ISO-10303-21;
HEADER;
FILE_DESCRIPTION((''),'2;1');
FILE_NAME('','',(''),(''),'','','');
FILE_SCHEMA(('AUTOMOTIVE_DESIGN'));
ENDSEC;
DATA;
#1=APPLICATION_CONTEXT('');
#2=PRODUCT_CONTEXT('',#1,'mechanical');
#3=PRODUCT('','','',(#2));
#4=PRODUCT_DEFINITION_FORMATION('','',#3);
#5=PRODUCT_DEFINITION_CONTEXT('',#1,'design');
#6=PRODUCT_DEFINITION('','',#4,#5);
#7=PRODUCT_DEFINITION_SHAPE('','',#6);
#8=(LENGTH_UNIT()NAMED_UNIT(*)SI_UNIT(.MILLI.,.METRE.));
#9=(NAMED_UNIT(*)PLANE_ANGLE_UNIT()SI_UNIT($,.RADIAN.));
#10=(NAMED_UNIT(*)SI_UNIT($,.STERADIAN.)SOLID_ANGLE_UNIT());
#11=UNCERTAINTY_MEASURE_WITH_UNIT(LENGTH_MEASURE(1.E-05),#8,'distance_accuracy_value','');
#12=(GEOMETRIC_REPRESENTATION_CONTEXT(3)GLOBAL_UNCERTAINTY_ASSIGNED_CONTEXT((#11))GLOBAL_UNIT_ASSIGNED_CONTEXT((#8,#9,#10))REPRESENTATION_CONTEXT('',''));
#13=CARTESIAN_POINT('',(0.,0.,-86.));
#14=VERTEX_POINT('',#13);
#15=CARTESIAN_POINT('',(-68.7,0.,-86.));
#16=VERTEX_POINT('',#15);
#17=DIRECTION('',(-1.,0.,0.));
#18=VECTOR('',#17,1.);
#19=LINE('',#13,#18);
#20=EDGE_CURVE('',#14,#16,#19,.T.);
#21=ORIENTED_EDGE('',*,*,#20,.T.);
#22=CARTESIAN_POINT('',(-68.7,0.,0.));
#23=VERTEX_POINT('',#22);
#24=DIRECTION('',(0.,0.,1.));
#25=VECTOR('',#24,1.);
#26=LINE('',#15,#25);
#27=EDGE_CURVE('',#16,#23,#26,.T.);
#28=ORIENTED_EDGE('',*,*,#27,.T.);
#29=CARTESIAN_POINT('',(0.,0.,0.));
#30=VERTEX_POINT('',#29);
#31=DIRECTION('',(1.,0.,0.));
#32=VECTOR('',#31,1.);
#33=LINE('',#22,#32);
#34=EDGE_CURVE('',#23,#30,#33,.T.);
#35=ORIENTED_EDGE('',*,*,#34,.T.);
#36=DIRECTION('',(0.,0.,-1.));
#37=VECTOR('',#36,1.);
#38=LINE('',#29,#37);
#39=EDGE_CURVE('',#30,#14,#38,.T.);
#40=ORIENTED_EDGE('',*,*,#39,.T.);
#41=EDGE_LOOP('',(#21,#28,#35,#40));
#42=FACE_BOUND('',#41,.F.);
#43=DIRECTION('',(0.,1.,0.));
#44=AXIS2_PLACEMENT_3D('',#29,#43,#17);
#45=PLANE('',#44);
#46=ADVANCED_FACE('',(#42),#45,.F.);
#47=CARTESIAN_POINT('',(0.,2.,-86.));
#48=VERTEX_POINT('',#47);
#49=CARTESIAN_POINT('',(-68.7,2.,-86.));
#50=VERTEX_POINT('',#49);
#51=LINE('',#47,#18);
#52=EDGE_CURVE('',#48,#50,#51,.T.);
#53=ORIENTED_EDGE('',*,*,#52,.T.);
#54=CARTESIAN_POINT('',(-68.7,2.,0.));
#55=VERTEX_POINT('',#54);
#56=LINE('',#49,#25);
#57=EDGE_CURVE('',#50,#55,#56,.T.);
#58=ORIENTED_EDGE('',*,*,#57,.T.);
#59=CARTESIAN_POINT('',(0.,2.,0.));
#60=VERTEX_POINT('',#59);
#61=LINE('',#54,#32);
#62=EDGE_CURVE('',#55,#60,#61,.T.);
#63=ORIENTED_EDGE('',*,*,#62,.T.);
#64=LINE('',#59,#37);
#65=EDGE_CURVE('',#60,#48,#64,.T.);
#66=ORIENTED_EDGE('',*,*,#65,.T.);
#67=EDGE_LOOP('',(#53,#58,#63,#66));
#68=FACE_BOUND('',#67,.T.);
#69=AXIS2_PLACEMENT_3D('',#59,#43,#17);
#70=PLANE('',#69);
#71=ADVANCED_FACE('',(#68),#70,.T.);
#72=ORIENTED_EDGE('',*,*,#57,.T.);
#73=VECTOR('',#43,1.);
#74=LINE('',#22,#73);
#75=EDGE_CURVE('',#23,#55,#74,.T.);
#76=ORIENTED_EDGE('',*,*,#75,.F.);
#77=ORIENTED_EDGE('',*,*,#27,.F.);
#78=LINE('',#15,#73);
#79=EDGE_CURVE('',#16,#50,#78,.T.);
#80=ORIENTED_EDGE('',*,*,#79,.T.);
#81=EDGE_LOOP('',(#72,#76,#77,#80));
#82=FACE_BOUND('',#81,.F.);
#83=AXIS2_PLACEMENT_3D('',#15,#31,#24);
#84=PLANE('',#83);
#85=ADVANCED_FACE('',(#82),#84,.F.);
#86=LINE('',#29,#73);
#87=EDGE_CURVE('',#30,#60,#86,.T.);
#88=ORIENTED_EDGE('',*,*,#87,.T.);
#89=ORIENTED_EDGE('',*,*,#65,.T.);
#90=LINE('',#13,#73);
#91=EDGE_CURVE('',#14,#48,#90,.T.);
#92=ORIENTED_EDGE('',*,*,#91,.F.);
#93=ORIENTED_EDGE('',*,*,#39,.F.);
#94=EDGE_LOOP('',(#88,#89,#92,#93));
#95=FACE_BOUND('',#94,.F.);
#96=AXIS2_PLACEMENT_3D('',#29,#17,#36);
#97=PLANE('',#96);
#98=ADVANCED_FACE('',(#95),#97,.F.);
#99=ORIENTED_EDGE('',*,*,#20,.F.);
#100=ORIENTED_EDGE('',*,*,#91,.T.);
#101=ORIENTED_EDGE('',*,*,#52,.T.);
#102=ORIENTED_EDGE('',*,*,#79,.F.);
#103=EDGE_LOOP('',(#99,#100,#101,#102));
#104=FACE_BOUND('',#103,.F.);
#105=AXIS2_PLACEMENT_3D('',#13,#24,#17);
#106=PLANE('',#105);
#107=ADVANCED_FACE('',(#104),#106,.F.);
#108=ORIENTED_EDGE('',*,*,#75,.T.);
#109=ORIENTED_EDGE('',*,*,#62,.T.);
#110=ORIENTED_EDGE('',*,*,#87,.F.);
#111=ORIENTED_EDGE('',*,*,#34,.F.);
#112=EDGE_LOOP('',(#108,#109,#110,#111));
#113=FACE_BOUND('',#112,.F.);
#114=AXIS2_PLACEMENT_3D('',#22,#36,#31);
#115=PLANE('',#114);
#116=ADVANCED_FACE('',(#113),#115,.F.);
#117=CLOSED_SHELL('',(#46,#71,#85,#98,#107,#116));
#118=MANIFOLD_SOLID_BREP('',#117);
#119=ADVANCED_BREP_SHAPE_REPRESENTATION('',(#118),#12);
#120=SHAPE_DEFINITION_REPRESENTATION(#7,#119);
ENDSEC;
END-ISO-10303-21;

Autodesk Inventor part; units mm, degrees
ref_plane "YZ Plane" through (0, 0, 0) normal (1, 0, 0) x (0, 1, 0)
ref_plane "XZ Plane" through (0, 0, 0) normal (0, 1, 0) x (-1, 0, 0)
ref_plane "XY Plane" through (0, 0, 0) normal (0, 0, 1) x (1, 0, 0)
sketch "Szkic1" plane through (0, 0, 0) normal (0, 1, 0) x (-1, 0, 0)
  line L0 (0, 0) -> (0, -86)
  line L1 (0, -86) -> (68.7, -86)
  line L2 (68.7, -86) -> (68.7, 0)
  line L3 (68.7, 0) -> (0, 0)
  dimension "d0" = 86
  dimension "d1" = 68.7
extrude "Wyciągnięcie proste1" add sketch "Szkic1" along normal blind 2
properties part number "plytka2"
